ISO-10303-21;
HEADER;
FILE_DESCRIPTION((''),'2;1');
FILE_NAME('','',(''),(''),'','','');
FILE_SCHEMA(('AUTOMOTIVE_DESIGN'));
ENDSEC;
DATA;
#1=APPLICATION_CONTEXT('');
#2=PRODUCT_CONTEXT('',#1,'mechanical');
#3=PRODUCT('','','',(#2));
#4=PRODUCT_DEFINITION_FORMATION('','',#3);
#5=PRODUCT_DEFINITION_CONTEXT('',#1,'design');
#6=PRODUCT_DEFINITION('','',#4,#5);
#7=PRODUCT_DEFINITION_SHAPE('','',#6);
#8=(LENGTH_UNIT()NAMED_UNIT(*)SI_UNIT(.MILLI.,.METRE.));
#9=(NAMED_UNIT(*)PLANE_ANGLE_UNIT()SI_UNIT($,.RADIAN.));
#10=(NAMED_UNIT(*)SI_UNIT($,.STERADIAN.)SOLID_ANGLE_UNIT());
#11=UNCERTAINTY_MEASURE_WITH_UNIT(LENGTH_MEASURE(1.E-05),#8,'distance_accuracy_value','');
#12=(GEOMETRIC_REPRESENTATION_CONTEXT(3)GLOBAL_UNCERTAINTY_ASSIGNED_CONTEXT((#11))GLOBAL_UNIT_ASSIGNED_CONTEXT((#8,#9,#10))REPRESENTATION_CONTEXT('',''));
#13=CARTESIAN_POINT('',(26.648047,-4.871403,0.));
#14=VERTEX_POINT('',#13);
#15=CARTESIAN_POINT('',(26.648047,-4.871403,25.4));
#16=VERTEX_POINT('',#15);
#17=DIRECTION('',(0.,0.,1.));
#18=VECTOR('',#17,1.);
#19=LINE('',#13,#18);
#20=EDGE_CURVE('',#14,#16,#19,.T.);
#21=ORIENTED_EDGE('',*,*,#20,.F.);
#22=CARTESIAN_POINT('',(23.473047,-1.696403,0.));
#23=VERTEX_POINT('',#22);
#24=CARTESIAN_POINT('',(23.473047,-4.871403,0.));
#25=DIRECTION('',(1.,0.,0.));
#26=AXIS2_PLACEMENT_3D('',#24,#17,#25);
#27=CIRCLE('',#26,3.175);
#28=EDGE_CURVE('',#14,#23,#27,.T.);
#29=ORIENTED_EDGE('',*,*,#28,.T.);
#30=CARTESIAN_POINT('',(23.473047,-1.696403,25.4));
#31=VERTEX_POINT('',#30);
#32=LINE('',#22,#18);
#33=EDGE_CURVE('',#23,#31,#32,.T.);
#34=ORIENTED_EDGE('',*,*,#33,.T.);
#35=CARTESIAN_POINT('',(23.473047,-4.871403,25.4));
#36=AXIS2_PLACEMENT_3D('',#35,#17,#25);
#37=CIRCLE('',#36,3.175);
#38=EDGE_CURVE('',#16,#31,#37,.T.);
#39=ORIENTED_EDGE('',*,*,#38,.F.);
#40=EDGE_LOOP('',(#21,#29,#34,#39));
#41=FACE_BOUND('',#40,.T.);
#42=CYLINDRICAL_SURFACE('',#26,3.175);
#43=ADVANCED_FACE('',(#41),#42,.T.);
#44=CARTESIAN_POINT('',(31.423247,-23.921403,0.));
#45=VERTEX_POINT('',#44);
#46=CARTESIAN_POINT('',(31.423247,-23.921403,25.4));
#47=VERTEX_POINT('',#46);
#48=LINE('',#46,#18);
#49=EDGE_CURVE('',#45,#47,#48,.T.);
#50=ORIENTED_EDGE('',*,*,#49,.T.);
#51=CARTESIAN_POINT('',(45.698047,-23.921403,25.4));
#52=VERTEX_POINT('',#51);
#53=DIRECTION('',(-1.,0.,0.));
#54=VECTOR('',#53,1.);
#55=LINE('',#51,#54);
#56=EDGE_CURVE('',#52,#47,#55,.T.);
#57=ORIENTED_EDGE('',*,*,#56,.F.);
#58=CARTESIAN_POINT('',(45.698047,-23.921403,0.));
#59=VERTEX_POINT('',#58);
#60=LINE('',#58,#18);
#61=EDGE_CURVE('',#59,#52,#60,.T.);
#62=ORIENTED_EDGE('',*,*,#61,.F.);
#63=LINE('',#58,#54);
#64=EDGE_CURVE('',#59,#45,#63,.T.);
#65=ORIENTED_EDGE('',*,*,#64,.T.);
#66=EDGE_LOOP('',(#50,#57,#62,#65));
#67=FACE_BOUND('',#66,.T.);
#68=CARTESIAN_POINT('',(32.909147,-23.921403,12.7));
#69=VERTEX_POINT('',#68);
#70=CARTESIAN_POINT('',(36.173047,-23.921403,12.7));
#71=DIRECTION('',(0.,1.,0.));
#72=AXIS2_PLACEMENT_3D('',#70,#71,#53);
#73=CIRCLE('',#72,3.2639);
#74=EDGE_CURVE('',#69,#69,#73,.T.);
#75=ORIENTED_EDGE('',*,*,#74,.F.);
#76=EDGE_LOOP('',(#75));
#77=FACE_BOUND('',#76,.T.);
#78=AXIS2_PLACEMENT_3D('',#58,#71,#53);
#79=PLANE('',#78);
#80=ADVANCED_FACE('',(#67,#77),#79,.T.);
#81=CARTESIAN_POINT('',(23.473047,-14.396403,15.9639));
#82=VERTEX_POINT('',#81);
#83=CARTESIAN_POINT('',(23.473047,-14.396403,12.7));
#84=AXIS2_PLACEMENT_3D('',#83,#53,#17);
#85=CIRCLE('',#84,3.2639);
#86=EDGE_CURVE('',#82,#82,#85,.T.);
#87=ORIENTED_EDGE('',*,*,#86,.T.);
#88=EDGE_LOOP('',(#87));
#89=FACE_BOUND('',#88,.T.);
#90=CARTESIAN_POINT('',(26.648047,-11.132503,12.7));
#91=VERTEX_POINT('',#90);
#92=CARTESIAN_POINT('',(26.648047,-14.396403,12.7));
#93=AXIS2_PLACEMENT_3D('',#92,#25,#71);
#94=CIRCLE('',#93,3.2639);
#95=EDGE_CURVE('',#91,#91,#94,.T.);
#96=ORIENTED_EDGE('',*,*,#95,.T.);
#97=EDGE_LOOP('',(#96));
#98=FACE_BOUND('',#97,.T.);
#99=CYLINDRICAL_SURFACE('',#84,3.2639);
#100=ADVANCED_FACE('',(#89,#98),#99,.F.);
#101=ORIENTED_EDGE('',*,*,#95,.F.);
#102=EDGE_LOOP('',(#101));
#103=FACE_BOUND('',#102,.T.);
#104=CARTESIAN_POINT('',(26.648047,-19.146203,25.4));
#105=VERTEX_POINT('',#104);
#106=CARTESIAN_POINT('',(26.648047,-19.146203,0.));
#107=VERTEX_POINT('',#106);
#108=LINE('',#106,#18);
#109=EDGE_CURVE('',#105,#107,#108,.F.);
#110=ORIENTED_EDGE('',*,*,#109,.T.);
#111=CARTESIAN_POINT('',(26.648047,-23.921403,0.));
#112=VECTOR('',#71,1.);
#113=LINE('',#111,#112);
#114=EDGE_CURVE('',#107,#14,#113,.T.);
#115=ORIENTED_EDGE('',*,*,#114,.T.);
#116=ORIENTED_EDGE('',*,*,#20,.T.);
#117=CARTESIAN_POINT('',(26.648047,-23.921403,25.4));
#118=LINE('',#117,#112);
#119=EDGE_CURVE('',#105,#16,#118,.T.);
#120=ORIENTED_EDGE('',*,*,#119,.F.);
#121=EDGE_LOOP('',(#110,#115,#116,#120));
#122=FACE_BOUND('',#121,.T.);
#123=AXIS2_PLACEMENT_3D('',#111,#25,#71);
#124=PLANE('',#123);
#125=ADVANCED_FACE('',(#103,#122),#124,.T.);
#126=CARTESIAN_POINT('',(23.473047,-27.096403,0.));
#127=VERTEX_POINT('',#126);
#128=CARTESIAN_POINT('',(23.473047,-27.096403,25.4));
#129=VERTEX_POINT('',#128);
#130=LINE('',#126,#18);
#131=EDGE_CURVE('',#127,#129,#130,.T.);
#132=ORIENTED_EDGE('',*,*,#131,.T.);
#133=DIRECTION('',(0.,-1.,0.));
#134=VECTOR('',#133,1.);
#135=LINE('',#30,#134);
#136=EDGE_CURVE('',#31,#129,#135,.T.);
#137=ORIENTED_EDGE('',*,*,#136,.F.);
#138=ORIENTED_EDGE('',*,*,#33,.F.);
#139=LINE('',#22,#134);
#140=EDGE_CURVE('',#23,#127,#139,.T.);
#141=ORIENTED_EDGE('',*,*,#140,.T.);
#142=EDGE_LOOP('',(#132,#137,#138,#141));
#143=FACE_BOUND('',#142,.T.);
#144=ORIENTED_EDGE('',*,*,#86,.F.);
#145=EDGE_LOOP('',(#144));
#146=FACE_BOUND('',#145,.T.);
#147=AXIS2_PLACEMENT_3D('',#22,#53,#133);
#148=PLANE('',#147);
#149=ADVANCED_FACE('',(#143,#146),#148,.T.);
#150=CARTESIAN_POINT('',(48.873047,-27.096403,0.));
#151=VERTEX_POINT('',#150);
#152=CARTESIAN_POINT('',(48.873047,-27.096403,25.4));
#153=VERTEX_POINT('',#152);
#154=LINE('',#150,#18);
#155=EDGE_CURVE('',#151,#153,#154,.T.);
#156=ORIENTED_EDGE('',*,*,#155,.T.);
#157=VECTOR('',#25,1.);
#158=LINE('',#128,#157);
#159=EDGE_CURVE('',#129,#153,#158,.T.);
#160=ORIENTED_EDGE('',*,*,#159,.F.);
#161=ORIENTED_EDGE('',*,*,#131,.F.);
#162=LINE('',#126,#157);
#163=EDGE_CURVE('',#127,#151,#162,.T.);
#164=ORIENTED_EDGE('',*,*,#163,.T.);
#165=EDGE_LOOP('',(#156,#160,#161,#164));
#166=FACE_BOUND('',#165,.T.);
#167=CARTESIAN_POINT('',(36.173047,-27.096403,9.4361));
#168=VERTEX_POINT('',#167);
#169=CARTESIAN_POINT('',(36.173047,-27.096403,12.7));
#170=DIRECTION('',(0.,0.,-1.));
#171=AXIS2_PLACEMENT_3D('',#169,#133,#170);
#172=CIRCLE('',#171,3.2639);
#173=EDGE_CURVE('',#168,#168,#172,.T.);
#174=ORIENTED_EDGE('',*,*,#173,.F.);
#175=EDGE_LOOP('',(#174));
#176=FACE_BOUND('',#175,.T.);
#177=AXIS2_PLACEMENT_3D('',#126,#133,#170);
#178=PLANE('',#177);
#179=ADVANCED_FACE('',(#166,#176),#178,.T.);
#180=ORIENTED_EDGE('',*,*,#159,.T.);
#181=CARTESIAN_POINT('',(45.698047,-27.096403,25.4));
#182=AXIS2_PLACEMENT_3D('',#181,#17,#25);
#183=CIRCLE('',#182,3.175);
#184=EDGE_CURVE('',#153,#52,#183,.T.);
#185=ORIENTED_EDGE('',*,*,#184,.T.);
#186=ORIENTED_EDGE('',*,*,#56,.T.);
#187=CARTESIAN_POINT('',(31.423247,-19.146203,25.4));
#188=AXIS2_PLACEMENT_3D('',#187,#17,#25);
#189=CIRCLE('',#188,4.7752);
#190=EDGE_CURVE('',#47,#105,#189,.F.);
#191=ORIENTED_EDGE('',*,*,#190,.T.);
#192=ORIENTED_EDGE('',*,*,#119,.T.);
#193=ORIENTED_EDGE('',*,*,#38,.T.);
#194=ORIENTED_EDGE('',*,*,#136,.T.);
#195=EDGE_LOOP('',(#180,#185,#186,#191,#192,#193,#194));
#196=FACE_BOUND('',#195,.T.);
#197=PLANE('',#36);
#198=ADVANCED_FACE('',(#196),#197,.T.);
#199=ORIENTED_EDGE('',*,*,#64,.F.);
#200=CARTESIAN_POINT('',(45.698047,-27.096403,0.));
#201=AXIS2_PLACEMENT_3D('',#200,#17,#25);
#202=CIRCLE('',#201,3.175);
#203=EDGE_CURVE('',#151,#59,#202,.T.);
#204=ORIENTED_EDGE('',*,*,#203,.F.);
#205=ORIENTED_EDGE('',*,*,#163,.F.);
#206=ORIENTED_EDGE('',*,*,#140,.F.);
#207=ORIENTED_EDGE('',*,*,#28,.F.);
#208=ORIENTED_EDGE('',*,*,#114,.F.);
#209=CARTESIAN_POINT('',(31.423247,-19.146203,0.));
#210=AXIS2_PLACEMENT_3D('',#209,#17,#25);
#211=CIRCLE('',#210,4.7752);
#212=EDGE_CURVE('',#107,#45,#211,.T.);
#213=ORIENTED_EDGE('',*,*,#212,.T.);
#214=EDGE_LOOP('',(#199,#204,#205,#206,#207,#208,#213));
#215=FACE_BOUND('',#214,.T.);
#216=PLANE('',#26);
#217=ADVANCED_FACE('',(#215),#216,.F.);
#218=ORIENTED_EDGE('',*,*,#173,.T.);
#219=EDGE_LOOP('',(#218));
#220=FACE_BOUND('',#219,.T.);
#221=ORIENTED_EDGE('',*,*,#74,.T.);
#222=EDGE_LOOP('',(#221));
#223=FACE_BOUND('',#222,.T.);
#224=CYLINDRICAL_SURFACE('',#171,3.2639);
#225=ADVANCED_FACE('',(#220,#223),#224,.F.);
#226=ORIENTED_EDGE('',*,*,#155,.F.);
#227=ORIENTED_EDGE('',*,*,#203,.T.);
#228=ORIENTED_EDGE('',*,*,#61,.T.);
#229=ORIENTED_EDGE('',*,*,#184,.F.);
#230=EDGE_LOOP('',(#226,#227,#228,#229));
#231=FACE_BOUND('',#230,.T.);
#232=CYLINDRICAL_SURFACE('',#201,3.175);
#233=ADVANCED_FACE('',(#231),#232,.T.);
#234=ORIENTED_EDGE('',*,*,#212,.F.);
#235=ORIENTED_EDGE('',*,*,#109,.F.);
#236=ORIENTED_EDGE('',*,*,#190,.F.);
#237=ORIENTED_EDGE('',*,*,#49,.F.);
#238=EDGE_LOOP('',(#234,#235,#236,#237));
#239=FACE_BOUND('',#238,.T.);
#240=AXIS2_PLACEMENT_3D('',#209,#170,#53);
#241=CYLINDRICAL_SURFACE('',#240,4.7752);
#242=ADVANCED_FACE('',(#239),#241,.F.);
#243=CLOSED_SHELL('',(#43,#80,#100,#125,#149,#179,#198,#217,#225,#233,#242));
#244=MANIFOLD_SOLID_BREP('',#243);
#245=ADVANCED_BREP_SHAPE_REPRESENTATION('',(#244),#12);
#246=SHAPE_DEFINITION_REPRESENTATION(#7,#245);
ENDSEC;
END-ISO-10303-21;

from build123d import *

# Parameters (mm, degrees)
BOSS_EXTRUDE1_DEPTH      = 25.4
M6_CLEARANCE_HOLE1_D     = 6.5278
M6_CLEARANCE_HOLE1_DEPTH = 25.4
M6_CLEARANCE_HOLE2_D     = 6.5278
M6_CLEARANCE_HOLE2_DEPTH = 25.4
FILLET1_R                = 4.7752


with BuildPart() as part:
    # Sketch1 → Boss-Extrude1 (new body)
    with BuildSketch(Plane.XY.offset(25.4)):
        with BuildLine():
            Line((23.473046964, -1.696403207), (23.473046964, -27.096403207))
            Line((23.473046964, -27.096403207), (48.873046964, -27.096403207))
            ThreePointArc((48.873046964, -27.096403207), (47.943110995, -24.851339177), (45.698046964, -23.921403207))
            Line((45.698046964, -23.921403207), (26.648046964, -23.921403207))
            Line((26.648046964, -23.921403207), (26.648046964, -4.871403207))
            ThreePointArc((26.648046964, -4.871403207), (25.718110995, -2.626339177), (23.473046964, -1.696403207))
        make_face()
    extrude(amount=-BOSS_EXTRUDE1_DEPTH)

    # M6 Clearance Hole1
    with Locations(Plane.XZ.offset(27.096403207)):
        with Locations((36.173046964, 12.7)):
            Hole(M6_CLEARANCE_HOLE1_D / 2, depth=M6_CLEARANCE_HOLE1_DEPTH)

    # M6 Clearance Hole2
    with Locations(Plane.ZY.offset(-23.473046964)):
        with Locations((12.7, -14.396403207)):
            Hole(M6_CLEARANCE_HOLE2_D / 2, depth=M6_CLEARANCE_HOLE2_DEPTH)

    # Fillet1
    fillet1_edges = [part.edges().sort_by_distance(p)[0] for p in [
        (26.648046964, -23.921403207, 12.7),
    ]]
    fillet(fillet1_edges, radius=FILLET1_R)


solid = part.part
